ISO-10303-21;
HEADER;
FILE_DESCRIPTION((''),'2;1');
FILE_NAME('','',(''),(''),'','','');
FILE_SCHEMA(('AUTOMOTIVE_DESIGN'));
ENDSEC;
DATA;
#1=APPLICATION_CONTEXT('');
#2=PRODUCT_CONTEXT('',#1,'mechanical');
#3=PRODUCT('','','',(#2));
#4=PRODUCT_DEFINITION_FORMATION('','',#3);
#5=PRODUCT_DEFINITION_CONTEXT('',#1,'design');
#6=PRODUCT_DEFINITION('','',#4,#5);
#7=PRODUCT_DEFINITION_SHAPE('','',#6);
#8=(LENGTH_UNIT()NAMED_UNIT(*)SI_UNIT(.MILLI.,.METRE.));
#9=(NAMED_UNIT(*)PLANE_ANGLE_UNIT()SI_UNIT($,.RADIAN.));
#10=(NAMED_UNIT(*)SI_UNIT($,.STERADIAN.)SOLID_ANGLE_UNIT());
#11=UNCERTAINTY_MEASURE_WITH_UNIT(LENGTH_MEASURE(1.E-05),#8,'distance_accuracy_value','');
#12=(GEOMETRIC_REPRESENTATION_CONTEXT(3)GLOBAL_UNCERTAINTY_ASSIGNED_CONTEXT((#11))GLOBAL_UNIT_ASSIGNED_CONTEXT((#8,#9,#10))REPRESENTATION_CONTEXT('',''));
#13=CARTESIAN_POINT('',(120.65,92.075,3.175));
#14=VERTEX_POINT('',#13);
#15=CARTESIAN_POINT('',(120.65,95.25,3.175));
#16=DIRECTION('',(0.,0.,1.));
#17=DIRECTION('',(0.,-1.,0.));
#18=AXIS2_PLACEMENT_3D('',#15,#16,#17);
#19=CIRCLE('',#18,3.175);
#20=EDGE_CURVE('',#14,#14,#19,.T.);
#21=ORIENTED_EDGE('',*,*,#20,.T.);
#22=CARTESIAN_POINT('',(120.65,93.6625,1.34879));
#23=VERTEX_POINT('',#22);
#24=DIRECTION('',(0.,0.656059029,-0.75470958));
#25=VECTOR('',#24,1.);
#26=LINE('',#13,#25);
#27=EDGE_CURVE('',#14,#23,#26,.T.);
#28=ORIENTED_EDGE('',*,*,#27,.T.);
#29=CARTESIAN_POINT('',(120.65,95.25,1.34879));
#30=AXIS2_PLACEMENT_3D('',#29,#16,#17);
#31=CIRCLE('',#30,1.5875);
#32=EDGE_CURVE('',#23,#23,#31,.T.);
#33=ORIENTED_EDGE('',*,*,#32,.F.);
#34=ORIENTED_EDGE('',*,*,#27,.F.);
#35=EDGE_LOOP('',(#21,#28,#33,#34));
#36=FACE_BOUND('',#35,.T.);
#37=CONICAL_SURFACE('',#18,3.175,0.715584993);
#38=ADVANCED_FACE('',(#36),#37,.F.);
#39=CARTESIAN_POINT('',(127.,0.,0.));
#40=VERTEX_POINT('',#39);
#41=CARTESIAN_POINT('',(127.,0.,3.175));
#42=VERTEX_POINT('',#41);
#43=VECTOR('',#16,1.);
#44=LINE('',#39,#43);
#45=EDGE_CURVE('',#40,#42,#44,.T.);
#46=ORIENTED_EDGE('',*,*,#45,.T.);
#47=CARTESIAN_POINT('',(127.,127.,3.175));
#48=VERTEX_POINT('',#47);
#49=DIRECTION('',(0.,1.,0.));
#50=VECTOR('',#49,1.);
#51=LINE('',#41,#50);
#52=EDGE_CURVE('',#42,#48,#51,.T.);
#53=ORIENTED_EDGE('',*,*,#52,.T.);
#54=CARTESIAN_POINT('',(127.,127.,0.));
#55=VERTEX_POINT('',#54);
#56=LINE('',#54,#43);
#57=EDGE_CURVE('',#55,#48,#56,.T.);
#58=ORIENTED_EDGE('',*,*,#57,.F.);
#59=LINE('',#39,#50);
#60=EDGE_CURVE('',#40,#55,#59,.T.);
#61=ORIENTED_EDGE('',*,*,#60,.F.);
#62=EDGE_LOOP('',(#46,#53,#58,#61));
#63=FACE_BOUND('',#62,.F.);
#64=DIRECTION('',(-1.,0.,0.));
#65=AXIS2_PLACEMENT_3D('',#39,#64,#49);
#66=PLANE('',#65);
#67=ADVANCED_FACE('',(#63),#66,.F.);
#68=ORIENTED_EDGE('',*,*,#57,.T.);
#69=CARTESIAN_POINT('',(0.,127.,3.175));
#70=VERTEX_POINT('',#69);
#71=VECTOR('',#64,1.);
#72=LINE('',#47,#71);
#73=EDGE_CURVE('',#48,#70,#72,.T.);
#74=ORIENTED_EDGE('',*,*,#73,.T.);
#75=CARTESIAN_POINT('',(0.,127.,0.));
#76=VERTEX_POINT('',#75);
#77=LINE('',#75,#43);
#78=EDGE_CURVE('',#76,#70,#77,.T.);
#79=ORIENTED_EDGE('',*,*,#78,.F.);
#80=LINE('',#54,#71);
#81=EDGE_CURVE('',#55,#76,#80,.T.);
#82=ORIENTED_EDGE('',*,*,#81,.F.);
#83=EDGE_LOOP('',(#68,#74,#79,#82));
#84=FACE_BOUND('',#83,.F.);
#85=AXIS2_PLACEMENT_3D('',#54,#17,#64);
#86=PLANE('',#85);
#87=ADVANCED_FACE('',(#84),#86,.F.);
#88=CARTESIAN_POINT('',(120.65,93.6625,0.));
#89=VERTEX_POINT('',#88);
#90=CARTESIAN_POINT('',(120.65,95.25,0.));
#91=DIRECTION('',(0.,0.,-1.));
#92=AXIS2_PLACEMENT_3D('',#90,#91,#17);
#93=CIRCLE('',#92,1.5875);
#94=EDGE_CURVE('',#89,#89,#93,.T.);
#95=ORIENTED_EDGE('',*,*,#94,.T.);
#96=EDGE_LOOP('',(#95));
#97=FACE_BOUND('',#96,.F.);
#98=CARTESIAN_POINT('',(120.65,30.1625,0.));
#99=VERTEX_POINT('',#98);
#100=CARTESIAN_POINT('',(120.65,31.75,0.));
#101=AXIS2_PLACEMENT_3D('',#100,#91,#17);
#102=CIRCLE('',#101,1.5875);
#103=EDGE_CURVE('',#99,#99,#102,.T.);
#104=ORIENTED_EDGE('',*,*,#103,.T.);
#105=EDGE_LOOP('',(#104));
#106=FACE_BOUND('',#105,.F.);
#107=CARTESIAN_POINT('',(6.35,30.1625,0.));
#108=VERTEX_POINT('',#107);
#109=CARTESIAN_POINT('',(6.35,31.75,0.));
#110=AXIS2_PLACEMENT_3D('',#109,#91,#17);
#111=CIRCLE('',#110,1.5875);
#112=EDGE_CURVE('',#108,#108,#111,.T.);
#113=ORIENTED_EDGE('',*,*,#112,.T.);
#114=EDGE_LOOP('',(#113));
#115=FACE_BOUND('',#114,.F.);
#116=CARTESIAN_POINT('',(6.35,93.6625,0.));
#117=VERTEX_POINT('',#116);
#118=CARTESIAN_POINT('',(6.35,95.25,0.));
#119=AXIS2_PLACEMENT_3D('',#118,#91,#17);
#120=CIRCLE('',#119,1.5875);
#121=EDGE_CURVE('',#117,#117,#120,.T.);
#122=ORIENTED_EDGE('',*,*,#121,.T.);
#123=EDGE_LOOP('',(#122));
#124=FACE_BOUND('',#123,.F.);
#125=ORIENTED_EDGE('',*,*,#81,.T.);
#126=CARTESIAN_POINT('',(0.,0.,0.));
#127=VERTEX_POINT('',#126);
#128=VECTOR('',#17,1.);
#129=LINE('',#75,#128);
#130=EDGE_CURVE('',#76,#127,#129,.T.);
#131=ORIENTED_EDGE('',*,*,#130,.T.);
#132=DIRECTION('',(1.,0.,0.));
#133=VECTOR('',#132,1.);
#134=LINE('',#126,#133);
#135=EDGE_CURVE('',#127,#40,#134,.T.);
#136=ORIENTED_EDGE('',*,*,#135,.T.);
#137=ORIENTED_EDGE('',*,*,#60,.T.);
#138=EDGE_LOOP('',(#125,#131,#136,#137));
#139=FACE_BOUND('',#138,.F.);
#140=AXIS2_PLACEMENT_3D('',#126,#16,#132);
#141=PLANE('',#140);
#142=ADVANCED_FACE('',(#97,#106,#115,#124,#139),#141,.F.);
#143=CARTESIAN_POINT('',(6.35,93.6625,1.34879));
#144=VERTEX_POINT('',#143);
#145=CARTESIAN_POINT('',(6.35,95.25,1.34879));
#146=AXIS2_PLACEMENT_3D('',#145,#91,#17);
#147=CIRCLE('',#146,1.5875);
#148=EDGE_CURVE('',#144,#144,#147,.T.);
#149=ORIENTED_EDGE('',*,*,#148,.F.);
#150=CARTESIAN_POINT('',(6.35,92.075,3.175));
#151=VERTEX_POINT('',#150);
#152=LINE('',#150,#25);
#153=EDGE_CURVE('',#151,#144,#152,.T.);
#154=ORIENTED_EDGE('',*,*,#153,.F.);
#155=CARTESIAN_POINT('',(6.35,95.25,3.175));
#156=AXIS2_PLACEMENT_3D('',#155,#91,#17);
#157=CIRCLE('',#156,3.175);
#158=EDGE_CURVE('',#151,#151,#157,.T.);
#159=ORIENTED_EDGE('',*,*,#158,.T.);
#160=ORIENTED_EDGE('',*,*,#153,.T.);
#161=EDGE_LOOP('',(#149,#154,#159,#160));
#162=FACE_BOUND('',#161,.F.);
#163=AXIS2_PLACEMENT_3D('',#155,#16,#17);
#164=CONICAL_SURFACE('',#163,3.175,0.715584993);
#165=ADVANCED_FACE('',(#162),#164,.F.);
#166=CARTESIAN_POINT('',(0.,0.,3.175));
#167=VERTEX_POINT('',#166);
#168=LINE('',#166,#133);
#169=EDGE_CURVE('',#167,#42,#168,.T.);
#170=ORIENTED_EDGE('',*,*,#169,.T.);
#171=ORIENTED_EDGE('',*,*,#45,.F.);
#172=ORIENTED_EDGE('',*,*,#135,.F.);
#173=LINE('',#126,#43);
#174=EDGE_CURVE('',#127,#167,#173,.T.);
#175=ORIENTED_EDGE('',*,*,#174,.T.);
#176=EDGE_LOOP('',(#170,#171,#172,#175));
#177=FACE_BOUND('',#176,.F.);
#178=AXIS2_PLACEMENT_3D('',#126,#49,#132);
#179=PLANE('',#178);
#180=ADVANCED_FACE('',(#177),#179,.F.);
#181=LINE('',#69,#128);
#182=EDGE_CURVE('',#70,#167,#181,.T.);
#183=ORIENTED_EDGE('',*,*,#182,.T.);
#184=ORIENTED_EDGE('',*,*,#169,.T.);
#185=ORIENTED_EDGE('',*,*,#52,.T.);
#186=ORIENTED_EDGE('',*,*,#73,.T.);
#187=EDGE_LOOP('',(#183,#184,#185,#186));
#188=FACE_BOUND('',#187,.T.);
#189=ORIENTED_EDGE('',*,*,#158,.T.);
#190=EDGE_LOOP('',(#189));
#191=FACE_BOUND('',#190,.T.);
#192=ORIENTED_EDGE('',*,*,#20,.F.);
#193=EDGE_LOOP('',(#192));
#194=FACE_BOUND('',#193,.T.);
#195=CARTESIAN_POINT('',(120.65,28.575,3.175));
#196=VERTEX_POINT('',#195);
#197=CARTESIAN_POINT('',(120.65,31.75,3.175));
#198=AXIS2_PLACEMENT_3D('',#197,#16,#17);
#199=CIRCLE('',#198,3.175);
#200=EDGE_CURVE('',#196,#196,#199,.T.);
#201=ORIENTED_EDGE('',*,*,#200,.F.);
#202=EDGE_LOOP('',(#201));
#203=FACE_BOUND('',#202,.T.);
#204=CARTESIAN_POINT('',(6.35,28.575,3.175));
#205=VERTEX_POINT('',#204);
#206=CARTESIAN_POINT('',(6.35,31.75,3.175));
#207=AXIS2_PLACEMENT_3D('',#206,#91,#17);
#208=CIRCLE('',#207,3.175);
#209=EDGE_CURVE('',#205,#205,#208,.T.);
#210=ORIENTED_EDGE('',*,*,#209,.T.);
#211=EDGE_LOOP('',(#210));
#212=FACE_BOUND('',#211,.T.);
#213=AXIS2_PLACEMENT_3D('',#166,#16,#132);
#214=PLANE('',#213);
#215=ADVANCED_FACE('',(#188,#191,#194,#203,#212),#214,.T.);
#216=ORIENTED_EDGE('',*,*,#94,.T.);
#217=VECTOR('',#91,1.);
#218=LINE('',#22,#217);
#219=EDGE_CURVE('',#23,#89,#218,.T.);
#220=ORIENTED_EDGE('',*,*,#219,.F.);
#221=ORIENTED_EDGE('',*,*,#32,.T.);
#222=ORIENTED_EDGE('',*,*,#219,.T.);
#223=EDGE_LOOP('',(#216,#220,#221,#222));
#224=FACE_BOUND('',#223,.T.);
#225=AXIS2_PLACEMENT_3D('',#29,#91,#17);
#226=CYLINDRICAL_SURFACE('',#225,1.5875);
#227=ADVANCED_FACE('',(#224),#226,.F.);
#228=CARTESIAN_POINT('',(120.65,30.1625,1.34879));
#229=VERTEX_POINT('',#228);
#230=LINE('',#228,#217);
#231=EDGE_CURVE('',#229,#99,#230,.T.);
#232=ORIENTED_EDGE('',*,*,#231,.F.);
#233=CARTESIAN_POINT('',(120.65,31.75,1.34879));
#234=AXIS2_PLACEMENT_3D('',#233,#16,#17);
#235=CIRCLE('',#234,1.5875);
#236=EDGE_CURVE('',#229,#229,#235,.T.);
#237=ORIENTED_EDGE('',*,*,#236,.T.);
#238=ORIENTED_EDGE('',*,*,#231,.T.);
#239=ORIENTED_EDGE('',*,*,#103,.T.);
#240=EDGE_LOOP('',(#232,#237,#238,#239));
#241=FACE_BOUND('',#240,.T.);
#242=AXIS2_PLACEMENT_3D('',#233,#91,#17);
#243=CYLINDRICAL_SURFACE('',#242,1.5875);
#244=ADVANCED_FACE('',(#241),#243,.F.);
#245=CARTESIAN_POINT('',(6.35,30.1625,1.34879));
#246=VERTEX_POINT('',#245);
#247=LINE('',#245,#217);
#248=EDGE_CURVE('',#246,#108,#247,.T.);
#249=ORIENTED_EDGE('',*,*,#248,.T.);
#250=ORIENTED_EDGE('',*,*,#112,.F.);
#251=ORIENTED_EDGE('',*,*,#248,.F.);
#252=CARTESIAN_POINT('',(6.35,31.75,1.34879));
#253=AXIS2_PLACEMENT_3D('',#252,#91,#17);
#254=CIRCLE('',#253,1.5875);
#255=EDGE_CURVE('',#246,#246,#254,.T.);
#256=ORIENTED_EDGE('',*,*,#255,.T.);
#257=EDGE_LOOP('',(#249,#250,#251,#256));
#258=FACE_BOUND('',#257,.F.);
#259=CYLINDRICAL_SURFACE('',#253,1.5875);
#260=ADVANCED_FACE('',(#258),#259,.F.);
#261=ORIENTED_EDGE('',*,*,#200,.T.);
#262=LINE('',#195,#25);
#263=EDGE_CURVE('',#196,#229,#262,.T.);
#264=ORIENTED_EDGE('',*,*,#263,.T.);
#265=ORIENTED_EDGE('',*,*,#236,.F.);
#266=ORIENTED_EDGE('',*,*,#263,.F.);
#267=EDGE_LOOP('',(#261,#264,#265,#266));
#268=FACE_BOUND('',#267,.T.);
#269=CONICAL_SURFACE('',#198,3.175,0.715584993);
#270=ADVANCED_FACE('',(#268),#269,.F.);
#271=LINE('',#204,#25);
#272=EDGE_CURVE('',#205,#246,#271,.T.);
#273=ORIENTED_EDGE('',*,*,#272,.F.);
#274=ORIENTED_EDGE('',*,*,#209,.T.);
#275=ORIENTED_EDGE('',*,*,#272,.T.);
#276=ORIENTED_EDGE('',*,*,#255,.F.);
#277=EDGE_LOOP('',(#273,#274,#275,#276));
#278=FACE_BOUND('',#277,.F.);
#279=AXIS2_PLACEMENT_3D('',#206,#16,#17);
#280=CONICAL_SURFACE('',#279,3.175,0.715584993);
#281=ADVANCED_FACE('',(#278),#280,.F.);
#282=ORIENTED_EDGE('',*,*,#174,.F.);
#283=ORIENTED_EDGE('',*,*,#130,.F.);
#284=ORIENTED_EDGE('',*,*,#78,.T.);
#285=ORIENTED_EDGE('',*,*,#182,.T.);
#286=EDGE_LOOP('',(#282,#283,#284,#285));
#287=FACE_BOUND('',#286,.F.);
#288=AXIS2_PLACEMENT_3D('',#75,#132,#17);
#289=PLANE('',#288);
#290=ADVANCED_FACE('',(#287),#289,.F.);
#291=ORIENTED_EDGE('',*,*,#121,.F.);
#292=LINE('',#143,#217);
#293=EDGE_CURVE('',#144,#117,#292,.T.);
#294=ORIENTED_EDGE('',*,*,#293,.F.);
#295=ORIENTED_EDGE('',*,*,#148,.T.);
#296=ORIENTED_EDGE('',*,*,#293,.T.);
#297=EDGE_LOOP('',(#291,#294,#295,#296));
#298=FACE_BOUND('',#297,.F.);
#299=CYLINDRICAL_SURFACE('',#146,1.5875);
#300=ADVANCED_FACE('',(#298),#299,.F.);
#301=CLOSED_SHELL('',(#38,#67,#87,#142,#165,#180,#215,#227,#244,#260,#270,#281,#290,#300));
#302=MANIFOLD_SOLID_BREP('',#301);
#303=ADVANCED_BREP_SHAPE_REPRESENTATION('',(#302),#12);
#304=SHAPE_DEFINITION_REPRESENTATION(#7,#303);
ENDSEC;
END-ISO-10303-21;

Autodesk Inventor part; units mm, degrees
ref_plane "YZ Plane" through (0, 0, 0) normal (1, 0, 0) x (0, 1, 0)
ref_plane "XZ Plane" through (0, 0, 0) normal (0, 1, 0) x (-1, 0, 0)
sketch "Sketch1" plane through (0, 0, 0) normal (0, 0, 1) x (1, 0, 0)
  line L0 (0, 0) -> (127, 0)
  line L1 (127, 0) -> (127, 127)
  line L2 (127, 127) -> (0, 127)
  line L3 (0, 127) -> (0, 0)
  dimension "d0" = 127
  dimension "d1" = 127
extrude "Extrusion1" add sketch "Sketch1" along normal blind 3.175
sketch "Sketch2" plane through (0, 0, 3.175) normal (0, 0, 1) x (1, 0, 0)
  line L0 (127, 127) -> (0, 127) construction
  line L1 (0, 127) -> (0, 101.6) construction
  line L2 (0, 127) -> (0, 0) construction
  line L3 (0, 0) -> (127, 0) construction
  line L4 (0, 0) -> (0, 25.4) construction
  line L5 (0, 25.4) -> (6.35, 25.4) construction
  line L6 (6.35, 25.4) -> (6.35, 31.75) construction
  line L7 (6.35, 31.75) -> (0, 31.75) construction
  line L8 (0, 31.75) -> (0, 25.4) construction
  line L9 (0, 101.6) -> (6.35, 101.6) construction
  line L10 (6.35, 101.6) -> (6.35, 95.25) construction
  line L11 (6.35, 95.25) -> (0, 95.25) construction
  line L12 (0, 95.25) -> (0, 101.6) construction
  dimension "d4" = 25.4
  dimension "d5" = 25.4
  dimension "d6" = 6.35
  dimension "d7" = 6.35
  dimension "d8" = 6.35
  dimension "d9" = 6.35
ref_plane "Work Plane1" through (63.5, 0, 0) normal (1, 0, 0) x (0, 0, -1)
hole "Hole1" at (6.35, 95.25, 3.175) at (6.35, 31.75, 3.175) direction (0, 0, -1) diameter 3.175 depth 25.4 tip angle 118 countersink diameter 6.35 countersink angle 82
mirror "Mirror1" about plane through (63.5, 0, 0) normal (1, 0, 0) of "Hole1"
properties part number "wheel coreBack"
